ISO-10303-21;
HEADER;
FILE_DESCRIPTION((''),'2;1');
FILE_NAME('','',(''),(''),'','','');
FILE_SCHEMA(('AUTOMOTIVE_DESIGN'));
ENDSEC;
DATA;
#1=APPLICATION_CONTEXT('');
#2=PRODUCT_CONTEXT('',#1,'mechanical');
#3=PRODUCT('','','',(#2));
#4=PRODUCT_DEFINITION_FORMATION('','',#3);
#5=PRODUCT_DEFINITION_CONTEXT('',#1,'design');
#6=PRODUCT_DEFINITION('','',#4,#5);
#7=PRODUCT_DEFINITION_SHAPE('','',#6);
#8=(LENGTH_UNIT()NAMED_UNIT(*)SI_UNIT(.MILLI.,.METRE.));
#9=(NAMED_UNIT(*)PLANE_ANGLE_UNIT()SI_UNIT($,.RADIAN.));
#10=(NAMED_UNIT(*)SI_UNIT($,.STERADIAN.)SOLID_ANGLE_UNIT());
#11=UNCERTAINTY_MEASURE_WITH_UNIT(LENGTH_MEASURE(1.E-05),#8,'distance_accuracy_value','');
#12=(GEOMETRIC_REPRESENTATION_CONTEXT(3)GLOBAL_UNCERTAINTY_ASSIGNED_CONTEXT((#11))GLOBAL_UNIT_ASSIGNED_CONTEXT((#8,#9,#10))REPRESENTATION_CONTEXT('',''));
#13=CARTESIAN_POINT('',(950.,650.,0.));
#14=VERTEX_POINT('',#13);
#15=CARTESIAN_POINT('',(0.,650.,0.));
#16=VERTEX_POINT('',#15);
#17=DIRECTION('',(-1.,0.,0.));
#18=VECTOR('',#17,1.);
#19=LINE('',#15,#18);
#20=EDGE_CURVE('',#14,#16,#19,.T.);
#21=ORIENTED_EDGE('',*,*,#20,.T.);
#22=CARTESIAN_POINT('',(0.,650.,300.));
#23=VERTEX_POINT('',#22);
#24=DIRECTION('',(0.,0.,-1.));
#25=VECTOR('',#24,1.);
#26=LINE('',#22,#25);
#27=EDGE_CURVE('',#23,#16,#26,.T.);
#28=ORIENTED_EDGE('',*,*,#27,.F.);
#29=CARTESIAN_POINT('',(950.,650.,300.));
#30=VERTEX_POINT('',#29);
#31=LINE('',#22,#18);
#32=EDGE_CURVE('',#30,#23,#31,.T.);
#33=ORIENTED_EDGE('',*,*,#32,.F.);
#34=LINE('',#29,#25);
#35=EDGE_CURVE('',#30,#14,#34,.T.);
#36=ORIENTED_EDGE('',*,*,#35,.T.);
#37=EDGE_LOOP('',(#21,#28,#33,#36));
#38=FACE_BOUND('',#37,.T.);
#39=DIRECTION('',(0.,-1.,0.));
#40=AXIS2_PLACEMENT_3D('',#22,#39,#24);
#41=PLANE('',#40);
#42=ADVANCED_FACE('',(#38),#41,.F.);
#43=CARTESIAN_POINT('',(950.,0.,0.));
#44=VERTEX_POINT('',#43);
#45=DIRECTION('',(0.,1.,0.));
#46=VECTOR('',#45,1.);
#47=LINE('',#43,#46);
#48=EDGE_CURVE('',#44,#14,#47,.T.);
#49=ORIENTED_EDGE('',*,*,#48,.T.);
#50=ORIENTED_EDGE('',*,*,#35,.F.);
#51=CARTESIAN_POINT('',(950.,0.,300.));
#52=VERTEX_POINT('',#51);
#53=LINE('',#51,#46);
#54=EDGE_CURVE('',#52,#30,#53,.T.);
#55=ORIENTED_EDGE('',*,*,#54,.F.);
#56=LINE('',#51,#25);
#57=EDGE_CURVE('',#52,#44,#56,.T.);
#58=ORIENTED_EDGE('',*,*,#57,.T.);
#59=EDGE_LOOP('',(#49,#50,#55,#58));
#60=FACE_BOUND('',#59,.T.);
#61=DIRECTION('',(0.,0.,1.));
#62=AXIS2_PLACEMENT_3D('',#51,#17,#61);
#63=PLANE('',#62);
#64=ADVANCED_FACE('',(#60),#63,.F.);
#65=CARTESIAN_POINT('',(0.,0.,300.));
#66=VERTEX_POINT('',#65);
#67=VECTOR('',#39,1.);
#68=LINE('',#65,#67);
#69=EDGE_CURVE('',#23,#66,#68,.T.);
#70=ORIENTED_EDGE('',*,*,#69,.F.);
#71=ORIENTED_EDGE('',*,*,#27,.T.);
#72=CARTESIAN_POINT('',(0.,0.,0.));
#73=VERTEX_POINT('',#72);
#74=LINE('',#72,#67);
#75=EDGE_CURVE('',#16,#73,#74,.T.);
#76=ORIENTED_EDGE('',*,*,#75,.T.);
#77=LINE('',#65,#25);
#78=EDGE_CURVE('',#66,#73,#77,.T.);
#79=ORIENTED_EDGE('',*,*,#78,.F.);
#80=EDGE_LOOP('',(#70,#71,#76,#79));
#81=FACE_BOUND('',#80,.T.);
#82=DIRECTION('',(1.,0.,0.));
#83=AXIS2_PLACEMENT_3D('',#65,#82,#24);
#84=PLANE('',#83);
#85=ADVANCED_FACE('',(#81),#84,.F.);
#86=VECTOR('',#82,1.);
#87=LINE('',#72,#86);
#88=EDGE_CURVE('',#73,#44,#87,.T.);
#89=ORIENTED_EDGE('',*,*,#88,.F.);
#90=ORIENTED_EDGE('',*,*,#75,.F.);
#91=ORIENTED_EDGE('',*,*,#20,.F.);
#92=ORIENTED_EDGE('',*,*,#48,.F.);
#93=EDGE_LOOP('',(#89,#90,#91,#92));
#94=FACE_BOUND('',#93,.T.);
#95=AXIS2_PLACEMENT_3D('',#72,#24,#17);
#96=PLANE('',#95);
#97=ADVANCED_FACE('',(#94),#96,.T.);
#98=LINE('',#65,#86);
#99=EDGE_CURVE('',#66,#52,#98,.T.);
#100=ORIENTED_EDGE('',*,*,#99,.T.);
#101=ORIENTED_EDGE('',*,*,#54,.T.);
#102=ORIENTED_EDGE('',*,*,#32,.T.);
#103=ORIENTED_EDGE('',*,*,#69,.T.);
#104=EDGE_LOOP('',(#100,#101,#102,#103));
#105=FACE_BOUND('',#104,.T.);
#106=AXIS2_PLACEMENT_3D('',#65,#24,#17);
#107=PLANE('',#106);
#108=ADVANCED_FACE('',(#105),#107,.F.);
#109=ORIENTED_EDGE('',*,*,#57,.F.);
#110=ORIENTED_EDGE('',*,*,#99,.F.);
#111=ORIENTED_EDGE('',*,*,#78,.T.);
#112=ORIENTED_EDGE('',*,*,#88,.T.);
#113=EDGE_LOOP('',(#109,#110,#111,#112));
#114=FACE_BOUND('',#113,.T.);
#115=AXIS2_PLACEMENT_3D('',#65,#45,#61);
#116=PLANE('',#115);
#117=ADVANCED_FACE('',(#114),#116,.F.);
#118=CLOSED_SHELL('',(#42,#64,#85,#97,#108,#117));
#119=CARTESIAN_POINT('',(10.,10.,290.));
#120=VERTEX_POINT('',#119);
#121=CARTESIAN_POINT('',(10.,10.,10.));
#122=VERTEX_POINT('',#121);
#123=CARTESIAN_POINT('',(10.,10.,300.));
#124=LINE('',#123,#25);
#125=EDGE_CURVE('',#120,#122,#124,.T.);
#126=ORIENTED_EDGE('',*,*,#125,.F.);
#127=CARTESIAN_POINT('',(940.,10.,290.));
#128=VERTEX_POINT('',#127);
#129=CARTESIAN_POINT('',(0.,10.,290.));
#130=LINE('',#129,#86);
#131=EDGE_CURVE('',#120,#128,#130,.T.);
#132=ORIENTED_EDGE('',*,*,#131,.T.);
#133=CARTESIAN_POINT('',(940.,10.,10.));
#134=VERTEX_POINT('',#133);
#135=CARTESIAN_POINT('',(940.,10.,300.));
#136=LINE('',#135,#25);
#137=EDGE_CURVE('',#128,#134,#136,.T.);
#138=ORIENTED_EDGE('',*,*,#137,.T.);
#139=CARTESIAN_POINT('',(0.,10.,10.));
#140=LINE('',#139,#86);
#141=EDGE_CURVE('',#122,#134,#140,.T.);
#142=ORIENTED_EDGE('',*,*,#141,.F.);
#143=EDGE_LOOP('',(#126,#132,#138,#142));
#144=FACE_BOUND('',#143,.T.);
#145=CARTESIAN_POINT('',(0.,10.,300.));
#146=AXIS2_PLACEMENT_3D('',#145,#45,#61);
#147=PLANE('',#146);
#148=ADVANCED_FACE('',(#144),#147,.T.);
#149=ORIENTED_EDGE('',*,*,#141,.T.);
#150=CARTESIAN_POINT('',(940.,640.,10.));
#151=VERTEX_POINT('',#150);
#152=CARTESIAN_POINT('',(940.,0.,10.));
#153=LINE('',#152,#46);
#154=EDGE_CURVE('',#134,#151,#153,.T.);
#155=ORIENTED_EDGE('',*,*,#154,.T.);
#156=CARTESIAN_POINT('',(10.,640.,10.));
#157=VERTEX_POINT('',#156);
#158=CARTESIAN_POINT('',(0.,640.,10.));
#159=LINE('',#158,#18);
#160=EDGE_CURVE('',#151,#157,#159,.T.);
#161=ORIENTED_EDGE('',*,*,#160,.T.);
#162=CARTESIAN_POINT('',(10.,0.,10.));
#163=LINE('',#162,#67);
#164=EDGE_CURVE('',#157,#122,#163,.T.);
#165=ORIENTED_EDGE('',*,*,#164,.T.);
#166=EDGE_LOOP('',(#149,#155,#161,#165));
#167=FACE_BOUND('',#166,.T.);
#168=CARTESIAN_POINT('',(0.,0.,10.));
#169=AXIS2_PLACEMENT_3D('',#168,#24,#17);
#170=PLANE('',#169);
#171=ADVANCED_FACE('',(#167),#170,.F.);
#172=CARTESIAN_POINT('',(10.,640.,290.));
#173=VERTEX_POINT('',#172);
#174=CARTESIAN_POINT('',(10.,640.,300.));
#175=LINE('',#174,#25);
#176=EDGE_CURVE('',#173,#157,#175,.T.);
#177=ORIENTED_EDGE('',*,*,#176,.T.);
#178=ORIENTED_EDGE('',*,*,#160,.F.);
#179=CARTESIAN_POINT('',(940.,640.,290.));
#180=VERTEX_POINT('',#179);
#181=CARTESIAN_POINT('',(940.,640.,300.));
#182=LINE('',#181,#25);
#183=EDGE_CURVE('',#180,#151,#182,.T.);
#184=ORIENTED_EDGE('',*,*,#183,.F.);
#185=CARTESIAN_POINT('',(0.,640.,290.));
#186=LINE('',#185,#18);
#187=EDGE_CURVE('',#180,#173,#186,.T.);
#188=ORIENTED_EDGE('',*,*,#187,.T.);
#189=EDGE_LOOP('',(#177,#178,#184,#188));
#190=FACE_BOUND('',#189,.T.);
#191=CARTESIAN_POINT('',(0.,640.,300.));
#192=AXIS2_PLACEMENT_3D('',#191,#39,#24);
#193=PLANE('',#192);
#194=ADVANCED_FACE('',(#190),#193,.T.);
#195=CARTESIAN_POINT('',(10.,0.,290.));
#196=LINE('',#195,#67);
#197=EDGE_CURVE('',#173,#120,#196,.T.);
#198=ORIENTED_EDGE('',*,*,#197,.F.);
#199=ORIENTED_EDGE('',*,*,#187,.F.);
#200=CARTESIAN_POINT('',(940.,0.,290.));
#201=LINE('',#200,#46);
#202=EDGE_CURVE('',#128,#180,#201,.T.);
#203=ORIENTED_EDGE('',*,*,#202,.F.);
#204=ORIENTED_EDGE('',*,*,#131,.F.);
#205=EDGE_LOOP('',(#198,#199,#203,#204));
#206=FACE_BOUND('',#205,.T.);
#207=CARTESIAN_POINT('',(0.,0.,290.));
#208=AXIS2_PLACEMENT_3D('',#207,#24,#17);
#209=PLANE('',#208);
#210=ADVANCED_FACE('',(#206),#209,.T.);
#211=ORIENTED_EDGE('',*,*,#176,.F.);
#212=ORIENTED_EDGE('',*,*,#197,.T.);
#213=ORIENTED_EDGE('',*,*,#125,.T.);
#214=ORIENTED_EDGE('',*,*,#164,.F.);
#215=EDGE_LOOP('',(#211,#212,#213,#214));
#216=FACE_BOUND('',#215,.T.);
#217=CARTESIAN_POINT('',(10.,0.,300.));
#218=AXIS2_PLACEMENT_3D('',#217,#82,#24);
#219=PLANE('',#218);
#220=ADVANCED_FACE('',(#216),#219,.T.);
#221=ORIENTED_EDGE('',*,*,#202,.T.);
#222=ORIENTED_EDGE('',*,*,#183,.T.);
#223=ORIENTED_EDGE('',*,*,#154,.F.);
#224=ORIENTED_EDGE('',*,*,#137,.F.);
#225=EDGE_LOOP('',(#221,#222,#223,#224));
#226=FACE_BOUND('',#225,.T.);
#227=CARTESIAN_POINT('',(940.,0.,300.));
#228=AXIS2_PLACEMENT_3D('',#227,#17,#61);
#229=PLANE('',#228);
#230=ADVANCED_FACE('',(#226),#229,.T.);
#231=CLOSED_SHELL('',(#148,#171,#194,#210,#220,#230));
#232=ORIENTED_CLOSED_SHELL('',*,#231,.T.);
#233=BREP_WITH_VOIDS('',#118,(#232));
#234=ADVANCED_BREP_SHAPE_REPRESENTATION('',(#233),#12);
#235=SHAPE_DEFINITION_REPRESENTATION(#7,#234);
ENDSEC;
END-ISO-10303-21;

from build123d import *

# Parameters (mm, degrees)
SKETCH1_W           = 950
SKETCH1_H           = 650
BOSS_EXTRUDE1_DEPTH = 300
SHELL1_T            = 10


with BuildPart() as part:
    # Sketch1 → Boss-Extrude1 (new body)
    with BuildSketch(Plane.XY):
        with Locations((475, 325)):
            Rectangle(SKETCH1_W, SKETCH1_H)
    extrude(amount=BOSS_EXTRUDE1_DEPTH)

    # Shell1 (no face opened: a closed hollow body)
    add(offset(amount=-SHELL1_T, mode=Mode.PRIVATE), mode=Mode.SUBTRACT)


solid = part.part
